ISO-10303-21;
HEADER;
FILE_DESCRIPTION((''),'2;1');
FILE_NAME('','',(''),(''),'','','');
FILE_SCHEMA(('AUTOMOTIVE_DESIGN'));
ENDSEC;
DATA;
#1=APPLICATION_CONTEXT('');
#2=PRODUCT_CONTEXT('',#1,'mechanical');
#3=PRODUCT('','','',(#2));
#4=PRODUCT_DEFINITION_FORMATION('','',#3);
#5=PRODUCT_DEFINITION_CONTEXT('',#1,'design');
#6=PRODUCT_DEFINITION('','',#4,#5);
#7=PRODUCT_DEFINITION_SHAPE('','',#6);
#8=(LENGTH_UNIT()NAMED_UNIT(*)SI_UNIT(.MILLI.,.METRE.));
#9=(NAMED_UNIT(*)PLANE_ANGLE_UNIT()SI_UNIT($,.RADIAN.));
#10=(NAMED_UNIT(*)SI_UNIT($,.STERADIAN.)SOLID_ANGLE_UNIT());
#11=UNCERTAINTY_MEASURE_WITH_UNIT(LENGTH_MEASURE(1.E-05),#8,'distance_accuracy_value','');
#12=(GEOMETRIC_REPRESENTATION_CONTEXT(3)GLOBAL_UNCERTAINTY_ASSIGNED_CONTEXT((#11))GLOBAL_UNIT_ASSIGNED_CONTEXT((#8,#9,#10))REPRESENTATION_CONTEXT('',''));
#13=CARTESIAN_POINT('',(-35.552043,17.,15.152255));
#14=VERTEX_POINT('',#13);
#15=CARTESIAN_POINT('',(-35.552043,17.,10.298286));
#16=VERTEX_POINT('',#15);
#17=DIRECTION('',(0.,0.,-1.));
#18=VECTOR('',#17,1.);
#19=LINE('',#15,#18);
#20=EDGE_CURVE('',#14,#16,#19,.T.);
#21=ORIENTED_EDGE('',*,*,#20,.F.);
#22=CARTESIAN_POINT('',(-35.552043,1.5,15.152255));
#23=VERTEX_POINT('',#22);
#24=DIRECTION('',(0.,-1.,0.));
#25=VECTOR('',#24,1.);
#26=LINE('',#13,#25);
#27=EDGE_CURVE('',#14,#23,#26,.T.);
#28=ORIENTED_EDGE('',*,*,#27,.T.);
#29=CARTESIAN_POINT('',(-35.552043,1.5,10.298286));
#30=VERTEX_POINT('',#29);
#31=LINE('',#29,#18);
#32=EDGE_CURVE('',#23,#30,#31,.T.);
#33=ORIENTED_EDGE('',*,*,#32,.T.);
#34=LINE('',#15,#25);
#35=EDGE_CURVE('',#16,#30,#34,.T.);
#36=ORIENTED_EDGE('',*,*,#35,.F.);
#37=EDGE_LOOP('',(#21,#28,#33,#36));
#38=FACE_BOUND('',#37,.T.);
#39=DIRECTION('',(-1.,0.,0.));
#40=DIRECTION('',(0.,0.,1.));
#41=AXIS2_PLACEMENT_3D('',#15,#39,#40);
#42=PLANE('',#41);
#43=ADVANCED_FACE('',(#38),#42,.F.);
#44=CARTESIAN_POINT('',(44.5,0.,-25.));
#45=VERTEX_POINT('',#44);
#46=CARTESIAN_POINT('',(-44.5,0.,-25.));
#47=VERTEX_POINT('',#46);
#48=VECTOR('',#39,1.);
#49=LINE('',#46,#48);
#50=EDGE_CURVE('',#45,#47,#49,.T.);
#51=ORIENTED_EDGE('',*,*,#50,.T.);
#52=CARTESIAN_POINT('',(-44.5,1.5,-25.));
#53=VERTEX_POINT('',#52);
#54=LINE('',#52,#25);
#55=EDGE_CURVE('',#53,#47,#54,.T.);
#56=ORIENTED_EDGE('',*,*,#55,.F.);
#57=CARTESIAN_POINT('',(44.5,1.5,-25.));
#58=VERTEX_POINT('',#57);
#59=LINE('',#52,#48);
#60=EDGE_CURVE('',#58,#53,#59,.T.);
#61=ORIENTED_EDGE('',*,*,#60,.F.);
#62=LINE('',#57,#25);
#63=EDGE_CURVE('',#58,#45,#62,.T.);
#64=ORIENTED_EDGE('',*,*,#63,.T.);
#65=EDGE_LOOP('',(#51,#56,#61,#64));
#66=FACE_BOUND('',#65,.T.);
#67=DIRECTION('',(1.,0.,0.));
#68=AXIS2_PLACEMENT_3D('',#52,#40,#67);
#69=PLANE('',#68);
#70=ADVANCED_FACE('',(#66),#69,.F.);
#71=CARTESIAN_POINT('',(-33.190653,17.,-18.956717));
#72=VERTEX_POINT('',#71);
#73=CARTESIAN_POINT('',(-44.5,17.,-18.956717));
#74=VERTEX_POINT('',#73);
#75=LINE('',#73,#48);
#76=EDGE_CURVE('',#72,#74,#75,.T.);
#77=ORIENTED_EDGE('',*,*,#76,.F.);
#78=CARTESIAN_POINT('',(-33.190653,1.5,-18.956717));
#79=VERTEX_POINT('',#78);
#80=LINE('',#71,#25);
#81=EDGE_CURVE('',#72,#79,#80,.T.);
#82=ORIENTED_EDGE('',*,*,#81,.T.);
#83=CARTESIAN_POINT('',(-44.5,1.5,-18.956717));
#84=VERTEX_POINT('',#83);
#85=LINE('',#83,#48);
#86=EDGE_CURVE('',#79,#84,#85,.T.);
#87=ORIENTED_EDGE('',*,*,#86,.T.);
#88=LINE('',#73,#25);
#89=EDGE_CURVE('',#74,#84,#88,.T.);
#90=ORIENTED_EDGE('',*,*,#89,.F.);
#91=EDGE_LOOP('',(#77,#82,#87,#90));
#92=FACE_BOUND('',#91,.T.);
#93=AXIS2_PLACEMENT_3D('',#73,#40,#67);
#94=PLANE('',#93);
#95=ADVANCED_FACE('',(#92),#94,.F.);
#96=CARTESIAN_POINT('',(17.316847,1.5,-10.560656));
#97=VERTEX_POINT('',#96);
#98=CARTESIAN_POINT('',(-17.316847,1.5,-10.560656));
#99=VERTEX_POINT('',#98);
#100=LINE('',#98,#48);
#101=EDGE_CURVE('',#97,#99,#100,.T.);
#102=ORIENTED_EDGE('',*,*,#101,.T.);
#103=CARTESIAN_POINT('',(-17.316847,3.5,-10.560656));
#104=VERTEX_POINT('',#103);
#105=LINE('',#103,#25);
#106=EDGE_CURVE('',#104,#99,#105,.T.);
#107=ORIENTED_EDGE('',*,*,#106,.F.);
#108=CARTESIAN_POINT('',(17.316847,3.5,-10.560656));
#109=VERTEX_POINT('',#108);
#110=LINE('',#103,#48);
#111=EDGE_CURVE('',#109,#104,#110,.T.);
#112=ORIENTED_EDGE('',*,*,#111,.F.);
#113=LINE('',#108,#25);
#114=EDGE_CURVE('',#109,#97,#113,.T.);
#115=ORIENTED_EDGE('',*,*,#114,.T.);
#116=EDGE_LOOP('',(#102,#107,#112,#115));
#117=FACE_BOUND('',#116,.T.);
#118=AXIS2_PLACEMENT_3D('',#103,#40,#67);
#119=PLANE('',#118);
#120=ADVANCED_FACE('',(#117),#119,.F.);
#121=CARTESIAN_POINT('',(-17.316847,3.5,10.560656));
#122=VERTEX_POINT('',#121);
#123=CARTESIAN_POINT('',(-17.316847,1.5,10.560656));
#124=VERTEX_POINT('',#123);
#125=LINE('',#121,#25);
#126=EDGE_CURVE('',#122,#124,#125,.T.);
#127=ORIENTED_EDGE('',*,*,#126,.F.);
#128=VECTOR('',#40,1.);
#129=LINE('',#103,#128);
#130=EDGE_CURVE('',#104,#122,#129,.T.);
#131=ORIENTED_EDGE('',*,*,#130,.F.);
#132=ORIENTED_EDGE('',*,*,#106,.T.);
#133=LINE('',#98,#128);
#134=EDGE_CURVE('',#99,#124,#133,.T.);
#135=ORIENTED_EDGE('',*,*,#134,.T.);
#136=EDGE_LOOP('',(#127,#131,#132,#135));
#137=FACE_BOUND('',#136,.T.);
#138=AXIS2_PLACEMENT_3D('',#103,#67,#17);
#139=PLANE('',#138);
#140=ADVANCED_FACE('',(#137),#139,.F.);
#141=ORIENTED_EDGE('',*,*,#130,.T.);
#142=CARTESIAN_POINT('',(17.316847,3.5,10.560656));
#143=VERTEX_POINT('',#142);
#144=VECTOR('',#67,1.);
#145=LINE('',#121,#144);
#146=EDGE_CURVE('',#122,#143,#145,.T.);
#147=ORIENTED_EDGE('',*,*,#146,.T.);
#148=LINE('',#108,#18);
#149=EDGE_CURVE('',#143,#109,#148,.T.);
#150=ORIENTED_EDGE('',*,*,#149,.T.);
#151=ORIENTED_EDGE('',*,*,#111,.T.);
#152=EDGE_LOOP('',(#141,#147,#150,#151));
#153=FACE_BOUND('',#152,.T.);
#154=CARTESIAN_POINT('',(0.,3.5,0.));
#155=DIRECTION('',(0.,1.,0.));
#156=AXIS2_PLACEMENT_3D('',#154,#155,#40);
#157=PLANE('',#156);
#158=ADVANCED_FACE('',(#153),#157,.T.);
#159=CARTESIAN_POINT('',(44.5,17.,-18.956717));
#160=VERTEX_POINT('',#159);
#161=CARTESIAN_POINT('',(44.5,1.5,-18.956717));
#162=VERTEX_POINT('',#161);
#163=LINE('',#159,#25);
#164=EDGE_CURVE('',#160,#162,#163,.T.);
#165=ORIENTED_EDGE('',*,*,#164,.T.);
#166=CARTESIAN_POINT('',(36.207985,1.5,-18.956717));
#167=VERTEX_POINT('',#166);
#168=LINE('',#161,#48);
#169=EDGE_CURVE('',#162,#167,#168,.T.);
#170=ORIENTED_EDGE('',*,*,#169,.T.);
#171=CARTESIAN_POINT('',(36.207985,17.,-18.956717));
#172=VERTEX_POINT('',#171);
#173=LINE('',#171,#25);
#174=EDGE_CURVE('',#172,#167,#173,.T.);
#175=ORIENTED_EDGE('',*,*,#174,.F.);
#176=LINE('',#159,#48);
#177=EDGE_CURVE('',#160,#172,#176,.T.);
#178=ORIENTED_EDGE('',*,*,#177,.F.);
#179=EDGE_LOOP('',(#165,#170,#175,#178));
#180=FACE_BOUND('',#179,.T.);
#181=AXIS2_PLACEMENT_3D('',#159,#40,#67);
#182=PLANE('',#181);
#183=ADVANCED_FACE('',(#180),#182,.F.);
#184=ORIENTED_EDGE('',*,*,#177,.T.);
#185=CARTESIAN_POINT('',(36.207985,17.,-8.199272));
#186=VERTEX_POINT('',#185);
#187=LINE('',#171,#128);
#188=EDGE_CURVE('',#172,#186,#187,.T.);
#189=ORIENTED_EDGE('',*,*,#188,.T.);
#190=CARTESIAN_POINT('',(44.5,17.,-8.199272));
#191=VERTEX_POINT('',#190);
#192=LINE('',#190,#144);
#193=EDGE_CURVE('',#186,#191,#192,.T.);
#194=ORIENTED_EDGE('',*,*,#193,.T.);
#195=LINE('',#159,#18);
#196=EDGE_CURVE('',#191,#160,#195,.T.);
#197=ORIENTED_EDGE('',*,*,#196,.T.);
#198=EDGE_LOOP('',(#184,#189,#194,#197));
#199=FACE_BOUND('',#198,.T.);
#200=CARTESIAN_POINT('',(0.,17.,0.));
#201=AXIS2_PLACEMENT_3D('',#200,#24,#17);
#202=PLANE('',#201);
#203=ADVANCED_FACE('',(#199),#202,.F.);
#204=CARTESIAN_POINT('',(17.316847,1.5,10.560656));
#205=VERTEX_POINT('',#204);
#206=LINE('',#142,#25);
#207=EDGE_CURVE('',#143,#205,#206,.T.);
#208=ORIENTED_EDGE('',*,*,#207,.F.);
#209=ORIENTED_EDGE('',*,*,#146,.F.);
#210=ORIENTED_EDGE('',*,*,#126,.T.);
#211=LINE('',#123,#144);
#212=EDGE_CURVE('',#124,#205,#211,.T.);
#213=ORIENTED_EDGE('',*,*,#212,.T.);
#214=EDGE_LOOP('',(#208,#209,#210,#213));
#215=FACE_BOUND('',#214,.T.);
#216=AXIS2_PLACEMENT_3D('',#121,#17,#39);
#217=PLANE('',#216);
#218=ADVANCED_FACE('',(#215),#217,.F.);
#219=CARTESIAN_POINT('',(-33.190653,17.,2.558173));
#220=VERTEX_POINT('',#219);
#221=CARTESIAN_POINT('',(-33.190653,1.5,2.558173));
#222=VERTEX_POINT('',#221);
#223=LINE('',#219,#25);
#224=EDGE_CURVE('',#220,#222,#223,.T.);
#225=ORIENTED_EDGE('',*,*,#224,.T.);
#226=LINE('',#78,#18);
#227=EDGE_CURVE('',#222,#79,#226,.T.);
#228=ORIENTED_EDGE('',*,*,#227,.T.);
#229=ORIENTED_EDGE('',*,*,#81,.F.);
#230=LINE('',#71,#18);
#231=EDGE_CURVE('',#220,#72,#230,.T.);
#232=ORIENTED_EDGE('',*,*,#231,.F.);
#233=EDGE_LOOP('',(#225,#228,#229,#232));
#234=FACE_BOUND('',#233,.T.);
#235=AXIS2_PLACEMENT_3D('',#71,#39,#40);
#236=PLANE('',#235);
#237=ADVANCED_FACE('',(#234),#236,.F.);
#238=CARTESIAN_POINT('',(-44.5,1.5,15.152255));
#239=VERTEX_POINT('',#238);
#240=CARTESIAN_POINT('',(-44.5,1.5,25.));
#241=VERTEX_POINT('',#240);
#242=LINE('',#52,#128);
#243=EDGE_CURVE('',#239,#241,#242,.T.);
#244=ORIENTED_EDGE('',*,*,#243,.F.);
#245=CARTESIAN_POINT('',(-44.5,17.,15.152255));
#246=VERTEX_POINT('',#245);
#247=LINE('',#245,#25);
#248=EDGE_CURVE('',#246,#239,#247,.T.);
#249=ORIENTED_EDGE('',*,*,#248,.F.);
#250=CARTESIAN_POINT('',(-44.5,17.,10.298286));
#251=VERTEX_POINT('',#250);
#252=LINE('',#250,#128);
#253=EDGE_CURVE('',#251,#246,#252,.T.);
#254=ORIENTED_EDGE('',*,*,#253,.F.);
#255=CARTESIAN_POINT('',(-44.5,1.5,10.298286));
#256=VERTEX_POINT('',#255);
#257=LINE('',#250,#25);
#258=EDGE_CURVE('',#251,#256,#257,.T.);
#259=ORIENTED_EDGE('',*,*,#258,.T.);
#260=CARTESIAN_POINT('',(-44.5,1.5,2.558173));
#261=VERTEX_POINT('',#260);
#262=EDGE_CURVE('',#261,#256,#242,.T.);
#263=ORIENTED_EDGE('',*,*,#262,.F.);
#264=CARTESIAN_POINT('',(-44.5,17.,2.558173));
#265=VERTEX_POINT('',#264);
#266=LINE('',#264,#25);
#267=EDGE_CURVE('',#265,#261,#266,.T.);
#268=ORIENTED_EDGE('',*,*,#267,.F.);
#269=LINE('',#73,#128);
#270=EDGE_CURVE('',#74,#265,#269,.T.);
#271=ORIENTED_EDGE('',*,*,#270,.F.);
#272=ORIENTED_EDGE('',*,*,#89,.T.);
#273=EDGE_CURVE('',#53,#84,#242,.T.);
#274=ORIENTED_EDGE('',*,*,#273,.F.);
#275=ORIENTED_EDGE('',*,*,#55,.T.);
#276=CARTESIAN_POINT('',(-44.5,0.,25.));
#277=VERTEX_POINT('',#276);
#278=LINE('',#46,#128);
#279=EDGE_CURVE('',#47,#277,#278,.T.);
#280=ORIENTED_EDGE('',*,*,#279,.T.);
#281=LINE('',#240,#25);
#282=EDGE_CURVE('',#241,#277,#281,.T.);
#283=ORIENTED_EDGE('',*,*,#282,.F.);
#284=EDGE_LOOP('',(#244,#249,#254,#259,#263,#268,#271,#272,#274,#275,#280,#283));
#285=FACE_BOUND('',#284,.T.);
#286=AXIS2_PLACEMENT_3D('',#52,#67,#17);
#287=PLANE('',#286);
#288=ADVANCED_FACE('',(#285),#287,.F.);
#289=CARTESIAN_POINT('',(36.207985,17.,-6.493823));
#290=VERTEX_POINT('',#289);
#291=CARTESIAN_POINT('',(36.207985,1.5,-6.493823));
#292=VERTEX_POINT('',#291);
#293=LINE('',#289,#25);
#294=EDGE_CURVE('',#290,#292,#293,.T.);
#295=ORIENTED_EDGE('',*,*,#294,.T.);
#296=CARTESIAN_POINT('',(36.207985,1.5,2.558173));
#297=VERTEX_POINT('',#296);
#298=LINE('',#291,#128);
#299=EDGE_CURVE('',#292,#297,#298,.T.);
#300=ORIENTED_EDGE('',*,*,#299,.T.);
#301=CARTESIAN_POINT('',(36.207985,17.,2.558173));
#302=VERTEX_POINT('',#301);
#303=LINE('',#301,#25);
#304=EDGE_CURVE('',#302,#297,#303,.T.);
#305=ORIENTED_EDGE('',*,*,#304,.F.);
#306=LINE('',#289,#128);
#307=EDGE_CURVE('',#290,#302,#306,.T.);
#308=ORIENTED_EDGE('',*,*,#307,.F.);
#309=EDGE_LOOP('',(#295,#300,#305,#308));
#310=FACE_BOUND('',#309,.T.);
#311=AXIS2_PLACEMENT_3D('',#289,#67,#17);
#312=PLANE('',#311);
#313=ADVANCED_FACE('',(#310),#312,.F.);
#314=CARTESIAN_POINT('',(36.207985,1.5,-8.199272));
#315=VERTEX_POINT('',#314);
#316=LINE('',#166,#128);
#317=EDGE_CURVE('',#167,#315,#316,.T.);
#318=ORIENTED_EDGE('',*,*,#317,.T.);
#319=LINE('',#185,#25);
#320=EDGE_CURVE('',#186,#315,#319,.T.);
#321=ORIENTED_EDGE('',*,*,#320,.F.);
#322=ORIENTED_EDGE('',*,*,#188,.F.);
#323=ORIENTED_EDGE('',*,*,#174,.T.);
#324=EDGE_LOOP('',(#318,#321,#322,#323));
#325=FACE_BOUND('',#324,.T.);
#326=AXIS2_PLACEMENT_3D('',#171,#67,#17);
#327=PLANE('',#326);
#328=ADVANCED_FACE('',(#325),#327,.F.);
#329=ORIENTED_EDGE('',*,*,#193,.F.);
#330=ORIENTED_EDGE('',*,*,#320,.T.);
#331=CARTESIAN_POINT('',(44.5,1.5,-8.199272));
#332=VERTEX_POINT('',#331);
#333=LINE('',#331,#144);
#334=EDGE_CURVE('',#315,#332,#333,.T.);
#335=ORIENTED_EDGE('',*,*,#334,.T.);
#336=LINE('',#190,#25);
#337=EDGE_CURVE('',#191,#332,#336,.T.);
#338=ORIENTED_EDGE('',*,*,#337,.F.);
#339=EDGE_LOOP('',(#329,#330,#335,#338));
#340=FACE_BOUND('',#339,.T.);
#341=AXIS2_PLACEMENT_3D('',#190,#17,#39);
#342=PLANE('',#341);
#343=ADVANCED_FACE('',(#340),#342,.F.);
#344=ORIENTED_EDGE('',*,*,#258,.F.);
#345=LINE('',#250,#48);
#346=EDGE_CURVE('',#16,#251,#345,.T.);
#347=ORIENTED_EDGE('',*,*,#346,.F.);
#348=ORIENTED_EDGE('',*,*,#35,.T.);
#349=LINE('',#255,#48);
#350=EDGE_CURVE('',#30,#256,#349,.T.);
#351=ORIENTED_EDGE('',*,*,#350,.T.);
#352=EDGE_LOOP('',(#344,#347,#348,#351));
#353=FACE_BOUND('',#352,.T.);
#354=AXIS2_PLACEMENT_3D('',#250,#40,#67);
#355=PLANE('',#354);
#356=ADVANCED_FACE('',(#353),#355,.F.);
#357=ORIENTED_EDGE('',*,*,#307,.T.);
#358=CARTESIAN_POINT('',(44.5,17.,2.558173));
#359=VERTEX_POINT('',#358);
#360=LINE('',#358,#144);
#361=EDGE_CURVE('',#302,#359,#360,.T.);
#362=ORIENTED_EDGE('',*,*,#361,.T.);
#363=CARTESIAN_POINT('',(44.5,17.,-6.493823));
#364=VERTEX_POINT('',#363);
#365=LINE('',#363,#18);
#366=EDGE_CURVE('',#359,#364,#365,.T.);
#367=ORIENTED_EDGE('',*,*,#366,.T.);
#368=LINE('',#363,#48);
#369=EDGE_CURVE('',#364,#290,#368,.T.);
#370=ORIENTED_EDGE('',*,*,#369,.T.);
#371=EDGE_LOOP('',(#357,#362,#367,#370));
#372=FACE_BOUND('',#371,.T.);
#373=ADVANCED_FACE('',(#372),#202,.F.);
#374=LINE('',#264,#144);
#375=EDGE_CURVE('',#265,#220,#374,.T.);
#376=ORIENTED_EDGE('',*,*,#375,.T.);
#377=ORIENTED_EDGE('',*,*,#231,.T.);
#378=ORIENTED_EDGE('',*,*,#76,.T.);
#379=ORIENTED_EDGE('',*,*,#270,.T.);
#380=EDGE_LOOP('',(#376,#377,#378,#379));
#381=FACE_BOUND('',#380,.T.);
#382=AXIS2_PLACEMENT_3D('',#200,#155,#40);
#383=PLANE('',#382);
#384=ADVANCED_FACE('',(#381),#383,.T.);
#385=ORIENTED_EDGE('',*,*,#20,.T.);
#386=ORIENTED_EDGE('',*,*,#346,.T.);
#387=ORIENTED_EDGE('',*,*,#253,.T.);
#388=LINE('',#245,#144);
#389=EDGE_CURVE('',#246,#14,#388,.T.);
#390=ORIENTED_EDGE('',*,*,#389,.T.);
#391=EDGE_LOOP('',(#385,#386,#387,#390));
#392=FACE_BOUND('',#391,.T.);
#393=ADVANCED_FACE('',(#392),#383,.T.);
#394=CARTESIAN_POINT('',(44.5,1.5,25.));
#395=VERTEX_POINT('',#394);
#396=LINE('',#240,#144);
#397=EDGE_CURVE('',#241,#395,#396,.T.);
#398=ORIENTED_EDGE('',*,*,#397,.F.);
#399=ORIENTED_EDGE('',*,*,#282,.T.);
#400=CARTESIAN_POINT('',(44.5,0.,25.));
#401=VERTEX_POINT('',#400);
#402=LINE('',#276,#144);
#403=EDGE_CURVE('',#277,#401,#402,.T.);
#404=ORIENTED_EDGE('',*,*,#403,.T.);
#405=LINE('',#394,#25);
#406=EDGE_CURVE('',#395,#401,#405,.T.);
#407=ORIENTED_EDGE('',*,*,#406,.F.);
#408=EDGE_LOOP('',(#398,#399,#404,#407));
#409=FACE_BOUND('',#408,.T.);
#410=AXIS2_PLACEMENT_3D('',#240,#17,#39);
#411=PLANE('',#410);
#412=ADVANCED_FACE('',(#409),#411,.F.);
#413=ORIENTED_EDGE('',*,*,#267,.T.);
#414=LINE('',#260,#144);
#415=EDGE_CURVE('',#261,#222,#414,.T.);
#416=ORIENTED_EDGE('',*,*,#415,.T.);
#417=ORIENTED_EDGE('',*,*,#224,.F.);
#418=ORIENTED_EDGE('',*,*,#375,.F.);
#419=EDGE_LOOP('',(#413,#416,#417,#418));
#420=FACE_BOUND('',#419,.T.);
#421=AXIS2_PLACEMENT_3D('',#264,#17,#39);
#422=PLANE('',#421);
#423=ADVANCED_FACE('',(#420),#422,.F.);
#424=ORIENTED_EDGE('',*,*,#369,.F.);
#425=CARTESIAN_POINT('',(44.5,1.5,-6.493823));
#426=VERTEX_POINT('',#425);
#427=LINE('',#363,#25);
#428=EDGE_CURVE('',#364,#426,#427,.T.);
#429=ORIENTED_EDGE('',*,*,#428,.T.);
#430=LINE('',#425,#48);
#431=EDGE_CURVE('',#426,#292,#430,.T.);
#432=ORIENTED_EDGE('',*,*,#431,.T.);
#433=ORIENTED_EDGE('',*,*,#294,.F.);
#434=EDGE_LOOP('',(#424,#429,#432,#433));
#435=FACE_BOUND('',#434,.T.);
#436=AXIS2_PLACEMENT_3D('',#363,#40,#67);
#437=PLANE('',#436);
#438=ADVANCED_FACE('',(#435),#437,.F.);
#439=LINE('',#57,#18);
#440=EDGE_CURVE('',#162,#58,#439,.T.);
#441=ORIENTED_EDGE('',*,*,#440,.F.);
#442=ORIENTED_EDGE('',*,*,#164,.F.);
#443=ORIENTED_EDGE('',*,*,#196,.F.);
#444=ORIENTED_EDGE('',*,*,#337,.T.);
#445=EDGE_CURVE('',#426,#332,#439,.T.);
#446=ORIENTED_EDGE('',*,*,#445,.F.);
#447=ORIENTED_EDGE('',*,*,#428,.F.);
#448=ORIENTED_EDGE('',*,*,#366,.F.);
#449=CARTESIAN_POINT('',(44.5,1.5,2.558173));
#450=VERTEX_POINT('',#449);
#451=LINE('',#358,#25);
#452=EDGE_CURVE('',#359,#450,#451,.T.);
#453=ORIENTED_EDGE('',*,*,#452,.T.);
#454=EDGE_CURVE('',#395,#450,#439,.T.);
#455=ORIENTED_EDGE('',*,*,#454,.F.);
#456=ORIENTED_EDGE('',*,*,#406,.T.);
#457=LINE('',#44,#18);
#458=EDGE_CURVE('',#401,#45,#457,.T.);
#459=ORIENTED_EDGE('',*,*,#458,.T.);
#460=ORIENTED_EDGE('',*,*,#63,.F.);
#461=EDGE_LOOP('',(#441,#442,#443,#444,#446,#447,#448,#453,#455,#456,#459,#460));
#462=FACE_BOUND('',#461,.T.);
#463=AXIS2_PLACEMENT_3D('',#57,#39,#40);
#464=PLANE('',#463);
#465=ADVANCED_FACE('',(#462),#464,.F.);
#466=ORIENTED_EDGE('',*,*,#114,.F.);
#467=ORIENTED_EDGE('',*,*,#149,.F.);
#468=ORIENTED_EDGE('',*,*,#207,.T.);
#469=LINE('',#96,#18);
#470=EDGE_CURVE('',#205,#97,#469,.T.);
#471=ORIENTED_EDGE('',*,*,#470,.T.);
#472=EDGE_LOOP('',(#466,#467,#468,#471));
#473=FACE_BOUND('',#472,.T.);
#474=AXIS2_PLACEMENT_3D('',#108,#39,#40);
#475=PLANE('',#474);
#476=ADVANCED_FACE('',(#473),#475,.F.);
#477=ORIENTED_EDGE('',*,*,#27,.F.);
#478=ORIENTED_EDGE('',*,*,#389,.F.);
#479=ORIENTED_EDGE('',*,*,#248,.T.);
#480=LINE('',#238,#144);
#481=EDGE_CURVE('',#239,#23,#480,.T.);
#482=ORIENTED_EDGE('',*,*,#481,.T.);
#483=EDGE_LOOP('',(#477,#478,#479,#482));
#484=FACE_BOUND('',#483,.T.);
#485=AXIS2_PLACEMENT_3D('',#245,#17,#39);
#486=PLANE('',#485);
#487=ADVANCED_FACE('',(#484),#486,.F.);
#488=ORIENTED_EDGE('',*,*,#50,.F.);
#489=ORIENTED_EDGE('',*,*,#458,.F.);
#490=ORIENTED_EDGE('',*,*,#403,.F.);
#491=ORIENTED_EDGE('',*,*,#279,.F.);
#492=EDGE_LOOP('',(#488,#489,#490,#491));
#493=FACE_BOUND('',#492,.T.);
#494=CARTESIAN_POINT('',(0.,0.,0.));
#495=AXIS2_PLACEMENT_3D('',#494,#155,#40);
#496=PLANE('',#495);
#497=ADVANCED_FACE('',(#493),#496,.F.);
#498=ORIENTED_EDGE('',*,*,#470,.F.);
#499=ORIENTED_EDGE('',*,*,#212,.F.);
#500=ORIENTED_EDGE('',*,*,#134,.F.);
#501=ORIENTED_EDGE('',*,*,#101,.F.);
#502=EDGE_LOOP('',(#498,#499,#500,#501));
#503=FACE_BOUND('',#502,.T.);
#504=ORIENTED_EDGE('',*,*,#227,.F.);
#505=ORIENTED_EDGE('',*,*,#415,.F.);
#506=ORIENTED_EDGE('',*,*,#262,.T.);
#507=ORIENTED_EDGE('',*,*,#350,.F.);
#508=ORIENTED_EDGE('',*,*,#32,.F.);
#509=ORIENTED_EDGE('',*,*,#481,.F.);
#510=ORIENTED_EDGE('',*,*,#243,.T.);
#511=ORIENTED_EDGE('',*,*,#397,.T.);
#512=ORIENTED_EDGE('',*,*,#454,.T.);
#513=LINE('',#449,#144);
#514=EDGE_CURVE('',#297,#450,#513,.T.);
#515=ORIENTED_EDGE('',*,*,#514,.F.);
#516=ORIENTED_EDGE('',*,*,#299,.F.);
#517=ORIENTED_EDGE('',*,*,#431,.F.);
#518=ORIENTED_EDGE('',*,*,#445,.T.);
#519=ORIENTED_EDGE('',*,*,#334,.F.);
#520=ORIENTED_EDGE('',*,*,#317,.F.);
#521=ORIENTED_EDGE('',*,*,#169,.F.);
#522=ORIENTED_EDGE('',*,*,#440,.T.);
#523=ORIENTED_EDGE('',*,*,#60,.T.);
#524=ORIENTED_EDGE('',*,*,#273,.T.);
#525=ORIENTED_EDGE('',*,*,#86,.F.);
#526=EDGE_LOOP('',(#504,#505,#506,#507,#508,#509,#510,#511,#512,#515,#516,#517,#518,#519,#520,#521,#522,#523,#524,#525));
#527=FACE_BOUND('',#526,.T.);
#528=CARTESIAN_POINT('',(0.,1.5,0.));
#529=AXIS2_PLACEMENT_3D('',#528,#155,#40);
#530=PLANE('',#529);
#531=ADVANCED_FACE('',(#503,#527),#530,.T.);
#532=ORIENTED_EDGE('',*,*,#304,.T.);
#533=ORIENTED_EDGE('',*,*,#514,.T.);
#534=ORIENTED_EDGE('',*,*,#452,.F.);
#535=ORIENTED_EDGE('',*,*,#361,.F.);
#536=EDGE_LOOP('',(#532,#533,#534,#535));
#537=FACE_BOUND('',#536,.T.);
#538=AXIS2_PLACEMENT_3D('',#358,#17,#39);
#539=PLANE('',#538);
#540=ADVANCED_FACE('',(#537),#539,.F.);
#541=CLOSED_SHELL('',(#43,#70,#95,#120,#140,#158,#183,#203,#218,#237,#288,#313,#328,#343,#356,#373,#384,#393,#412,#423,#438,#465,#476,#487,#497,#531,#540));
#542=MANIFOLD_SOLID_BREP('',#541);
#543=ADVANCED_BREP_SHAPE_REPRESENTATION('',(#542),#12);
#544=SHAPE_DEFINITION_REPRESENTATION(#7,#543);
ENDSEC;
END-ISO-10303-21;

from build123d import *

# Parameters (mm, degrees)
SKETCH1_W           = 89
SKETCH1_H           = 50
BOSS_EXTRUDE1_DEPTH = 1.5
SKETCH2_W           = 11.309347118
SKETCH2_H           = 21.514889616
SKETCH2_W_2         = 8.947956794
SKETCH2_H_2         = 4.853968999
SKETCH2_W_3         = 8.292015037
SKETCH2_H_3         = 10.757444808
SKETCH2_H_4         = 9.051996241
BOSS_EXTRUDE2_DEPTH = 15.5
SKETCH3_W           = 34.633694204
SKETCH3_H           = 21.121311428
BOSS_EXTRUDE3_DEPTH = 2


with BuildPart() as part:
    # Sketch1 → Boss-Extrude1 (new body)
    with BuildSketch(Plane(origin=(0, 0, 0), x_dir=(1, 0, 0), z_dir=(0, 1, 0))):
        Rectangle(SKETCH1_W, SKETCH1_H)
    extrude(amount=BOSS_EXTRUDE1_DEPTH)

    # Sketch2 → Boss-Extrude2 (add)
    with BuildSketch(Plane(origin=(0, 1.5, 0), x_dir=(1, 0, 0), z_dir=(0, 1, 0))):
        with Locations((-38.845326441, 8.199271957)):
            Rectangle(SKETCH2_W, SKETCH2_H)
        with Locations((-40.026021603, -12.725270077)):
            Rectangle(SKETCH2_W_2, SKETCH2_H_2)
        with Locations((40.353992482, 13.577994361)):
            Rectangle(SKETCH2_W_3, SKETCH2_H_3)
        with Locations((40.353992482, 1.96782527)):
            Rectangle(SKETCH2_W_3, SKETCH2_H_4)
    extrude(amount=BOSS_EXTRUDE2_DEPTH)

    # Sketch3 → Boss-Extrude3 (add)
    with BuildSketch(Plane(origin=(0, 1.5, 0), x_dir=(1, 0, 0), z_dir=(0, 1, 0))):
        Rectangle(SKETCH3_W, SKETCH3_H)
    extrude(amount=BOSS_EXTRUDE3_DEPTH)


solid = part.part
